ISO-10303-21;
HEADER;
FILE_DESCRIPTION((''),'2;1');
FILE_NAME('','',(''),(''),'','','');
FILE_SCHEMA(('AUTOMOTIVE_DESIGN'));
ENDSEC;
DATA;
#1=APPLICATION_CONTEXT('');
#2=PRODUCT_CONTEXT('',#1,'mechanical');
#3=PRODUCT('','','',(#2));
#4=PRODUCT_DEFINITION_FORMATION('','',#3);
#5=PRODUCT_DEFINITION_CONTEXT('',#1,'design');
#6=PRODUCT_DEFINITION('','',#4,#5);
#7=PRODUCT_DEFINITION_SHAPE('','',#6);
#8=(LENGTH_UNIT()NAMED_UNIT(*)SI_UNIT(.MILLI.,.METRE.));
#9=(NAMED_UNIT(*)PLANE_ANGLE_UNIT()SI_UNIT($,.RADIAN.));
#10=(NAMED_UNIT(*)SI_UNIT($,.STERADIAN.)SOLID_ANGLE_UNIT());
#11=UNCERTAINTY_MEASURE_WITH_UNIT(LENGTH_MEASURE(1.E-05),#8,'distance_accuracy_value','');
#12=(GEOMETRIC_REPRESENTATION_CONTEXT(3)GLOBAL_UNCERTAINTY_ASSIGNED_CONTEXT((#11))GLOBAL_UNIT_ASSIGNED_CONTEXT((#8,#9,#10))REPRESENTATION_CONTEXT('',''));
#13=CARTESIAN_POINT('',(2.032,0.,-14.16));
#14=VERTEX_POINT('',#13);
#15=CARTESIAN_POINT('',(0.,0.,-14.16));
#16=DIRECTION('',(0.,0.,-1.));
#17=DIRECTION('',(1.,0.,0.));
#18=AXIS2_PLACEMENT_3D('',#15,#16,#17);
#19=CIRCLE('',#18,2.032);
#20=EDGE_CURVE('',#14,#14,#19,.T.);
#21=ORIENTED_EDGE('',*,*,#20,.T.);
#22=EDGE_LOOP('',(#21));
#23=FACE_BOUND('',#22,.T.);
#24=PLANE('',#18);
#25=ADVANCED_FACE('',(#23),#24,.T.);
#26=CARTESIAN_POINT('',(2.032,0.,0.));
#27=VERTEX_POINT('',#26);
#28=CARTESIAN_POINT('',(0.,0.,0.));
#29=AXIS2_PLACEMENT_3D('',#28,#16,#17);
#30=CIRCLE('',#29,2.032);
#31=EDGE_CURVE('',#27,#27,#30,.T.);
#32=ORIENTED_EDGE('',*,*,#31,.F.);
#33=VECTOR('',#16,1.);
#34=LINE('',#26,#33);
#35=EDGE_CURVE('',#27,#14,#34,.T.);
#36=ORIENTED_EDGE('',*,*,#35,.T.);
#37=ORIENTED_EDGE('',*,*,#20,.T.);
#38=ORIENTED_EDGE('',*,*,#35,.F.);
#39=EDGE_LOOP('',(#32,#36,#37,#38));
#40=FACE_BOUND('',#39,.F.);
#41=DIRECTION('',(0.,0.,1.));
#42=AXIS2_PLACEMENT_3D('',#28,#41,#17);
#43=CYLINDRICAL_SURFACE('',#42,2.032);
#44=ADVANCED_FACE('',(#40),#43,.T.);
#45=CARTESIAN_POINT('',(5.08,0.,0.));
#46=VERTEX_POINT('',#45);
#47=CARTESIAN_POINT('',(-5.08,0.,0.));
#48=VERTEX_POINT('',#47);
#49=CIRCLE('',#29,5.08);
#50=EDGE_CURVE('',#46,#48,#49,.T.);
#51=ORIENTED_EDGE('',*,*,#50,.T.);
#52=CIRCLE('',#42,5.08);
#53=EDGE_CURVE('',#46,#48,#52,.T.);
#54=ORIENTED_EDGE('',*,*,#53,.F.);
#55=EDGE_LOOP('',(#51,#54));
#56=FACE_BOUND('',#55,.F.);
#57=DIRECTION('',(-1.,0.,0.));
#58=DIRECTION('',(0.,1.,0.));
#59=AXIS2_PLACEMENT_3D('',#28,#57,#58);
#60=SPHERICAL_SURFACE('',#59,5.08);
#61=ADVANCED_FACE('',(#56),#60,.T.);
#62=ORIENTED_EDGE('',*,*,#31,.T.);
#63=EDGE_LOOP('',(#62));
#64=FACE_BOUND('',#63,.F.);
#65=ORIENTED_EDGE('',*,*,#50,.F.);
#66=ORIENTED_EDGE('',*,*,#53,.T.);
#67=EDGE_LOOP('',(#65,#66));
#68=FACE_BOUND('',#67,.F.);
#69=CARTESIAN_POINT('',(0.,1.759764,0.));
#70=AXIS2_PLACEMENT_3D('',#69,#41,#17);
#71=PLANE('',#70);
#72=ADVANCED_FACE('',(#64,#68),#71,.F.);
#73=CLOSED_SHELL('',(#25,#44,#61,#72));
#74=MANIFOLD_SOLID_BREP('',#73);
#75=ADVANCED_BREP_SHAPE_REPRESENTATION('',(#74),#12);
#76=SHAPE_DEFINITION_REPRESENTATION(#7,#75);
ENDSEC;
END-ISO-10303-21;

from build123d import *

# Parameters (mm, degrees)
F1_ANGLE = 180
F2_R     = 2.032
F3_DEPTH = 14.16


with BuildPart() as f1:
    # F0 (on Top) → F1 (revolve)
    with BuildSketch(Plane.XY):
        with BuildLine():
            Line((-5.08, 0), (5.08, 0))
            ThreePointArc((5.08, 0), (0, 5.08), (-5.08, 0))
        make_face()
    revolve(axis=Axis((0, 0, 0), (1, 0, 0)), revolution_arc=F1_ANGLE)

    # F2 (on face) → F3 (join)
    with BuildSketch(Plane(origin=(0, 0, 0), x_dir=(1, 0, 0), z_dir=(0, 0, -1))):
        Circle(F2_R)
    extrude(amount=F3_DEPTH)


solid = f1.part
